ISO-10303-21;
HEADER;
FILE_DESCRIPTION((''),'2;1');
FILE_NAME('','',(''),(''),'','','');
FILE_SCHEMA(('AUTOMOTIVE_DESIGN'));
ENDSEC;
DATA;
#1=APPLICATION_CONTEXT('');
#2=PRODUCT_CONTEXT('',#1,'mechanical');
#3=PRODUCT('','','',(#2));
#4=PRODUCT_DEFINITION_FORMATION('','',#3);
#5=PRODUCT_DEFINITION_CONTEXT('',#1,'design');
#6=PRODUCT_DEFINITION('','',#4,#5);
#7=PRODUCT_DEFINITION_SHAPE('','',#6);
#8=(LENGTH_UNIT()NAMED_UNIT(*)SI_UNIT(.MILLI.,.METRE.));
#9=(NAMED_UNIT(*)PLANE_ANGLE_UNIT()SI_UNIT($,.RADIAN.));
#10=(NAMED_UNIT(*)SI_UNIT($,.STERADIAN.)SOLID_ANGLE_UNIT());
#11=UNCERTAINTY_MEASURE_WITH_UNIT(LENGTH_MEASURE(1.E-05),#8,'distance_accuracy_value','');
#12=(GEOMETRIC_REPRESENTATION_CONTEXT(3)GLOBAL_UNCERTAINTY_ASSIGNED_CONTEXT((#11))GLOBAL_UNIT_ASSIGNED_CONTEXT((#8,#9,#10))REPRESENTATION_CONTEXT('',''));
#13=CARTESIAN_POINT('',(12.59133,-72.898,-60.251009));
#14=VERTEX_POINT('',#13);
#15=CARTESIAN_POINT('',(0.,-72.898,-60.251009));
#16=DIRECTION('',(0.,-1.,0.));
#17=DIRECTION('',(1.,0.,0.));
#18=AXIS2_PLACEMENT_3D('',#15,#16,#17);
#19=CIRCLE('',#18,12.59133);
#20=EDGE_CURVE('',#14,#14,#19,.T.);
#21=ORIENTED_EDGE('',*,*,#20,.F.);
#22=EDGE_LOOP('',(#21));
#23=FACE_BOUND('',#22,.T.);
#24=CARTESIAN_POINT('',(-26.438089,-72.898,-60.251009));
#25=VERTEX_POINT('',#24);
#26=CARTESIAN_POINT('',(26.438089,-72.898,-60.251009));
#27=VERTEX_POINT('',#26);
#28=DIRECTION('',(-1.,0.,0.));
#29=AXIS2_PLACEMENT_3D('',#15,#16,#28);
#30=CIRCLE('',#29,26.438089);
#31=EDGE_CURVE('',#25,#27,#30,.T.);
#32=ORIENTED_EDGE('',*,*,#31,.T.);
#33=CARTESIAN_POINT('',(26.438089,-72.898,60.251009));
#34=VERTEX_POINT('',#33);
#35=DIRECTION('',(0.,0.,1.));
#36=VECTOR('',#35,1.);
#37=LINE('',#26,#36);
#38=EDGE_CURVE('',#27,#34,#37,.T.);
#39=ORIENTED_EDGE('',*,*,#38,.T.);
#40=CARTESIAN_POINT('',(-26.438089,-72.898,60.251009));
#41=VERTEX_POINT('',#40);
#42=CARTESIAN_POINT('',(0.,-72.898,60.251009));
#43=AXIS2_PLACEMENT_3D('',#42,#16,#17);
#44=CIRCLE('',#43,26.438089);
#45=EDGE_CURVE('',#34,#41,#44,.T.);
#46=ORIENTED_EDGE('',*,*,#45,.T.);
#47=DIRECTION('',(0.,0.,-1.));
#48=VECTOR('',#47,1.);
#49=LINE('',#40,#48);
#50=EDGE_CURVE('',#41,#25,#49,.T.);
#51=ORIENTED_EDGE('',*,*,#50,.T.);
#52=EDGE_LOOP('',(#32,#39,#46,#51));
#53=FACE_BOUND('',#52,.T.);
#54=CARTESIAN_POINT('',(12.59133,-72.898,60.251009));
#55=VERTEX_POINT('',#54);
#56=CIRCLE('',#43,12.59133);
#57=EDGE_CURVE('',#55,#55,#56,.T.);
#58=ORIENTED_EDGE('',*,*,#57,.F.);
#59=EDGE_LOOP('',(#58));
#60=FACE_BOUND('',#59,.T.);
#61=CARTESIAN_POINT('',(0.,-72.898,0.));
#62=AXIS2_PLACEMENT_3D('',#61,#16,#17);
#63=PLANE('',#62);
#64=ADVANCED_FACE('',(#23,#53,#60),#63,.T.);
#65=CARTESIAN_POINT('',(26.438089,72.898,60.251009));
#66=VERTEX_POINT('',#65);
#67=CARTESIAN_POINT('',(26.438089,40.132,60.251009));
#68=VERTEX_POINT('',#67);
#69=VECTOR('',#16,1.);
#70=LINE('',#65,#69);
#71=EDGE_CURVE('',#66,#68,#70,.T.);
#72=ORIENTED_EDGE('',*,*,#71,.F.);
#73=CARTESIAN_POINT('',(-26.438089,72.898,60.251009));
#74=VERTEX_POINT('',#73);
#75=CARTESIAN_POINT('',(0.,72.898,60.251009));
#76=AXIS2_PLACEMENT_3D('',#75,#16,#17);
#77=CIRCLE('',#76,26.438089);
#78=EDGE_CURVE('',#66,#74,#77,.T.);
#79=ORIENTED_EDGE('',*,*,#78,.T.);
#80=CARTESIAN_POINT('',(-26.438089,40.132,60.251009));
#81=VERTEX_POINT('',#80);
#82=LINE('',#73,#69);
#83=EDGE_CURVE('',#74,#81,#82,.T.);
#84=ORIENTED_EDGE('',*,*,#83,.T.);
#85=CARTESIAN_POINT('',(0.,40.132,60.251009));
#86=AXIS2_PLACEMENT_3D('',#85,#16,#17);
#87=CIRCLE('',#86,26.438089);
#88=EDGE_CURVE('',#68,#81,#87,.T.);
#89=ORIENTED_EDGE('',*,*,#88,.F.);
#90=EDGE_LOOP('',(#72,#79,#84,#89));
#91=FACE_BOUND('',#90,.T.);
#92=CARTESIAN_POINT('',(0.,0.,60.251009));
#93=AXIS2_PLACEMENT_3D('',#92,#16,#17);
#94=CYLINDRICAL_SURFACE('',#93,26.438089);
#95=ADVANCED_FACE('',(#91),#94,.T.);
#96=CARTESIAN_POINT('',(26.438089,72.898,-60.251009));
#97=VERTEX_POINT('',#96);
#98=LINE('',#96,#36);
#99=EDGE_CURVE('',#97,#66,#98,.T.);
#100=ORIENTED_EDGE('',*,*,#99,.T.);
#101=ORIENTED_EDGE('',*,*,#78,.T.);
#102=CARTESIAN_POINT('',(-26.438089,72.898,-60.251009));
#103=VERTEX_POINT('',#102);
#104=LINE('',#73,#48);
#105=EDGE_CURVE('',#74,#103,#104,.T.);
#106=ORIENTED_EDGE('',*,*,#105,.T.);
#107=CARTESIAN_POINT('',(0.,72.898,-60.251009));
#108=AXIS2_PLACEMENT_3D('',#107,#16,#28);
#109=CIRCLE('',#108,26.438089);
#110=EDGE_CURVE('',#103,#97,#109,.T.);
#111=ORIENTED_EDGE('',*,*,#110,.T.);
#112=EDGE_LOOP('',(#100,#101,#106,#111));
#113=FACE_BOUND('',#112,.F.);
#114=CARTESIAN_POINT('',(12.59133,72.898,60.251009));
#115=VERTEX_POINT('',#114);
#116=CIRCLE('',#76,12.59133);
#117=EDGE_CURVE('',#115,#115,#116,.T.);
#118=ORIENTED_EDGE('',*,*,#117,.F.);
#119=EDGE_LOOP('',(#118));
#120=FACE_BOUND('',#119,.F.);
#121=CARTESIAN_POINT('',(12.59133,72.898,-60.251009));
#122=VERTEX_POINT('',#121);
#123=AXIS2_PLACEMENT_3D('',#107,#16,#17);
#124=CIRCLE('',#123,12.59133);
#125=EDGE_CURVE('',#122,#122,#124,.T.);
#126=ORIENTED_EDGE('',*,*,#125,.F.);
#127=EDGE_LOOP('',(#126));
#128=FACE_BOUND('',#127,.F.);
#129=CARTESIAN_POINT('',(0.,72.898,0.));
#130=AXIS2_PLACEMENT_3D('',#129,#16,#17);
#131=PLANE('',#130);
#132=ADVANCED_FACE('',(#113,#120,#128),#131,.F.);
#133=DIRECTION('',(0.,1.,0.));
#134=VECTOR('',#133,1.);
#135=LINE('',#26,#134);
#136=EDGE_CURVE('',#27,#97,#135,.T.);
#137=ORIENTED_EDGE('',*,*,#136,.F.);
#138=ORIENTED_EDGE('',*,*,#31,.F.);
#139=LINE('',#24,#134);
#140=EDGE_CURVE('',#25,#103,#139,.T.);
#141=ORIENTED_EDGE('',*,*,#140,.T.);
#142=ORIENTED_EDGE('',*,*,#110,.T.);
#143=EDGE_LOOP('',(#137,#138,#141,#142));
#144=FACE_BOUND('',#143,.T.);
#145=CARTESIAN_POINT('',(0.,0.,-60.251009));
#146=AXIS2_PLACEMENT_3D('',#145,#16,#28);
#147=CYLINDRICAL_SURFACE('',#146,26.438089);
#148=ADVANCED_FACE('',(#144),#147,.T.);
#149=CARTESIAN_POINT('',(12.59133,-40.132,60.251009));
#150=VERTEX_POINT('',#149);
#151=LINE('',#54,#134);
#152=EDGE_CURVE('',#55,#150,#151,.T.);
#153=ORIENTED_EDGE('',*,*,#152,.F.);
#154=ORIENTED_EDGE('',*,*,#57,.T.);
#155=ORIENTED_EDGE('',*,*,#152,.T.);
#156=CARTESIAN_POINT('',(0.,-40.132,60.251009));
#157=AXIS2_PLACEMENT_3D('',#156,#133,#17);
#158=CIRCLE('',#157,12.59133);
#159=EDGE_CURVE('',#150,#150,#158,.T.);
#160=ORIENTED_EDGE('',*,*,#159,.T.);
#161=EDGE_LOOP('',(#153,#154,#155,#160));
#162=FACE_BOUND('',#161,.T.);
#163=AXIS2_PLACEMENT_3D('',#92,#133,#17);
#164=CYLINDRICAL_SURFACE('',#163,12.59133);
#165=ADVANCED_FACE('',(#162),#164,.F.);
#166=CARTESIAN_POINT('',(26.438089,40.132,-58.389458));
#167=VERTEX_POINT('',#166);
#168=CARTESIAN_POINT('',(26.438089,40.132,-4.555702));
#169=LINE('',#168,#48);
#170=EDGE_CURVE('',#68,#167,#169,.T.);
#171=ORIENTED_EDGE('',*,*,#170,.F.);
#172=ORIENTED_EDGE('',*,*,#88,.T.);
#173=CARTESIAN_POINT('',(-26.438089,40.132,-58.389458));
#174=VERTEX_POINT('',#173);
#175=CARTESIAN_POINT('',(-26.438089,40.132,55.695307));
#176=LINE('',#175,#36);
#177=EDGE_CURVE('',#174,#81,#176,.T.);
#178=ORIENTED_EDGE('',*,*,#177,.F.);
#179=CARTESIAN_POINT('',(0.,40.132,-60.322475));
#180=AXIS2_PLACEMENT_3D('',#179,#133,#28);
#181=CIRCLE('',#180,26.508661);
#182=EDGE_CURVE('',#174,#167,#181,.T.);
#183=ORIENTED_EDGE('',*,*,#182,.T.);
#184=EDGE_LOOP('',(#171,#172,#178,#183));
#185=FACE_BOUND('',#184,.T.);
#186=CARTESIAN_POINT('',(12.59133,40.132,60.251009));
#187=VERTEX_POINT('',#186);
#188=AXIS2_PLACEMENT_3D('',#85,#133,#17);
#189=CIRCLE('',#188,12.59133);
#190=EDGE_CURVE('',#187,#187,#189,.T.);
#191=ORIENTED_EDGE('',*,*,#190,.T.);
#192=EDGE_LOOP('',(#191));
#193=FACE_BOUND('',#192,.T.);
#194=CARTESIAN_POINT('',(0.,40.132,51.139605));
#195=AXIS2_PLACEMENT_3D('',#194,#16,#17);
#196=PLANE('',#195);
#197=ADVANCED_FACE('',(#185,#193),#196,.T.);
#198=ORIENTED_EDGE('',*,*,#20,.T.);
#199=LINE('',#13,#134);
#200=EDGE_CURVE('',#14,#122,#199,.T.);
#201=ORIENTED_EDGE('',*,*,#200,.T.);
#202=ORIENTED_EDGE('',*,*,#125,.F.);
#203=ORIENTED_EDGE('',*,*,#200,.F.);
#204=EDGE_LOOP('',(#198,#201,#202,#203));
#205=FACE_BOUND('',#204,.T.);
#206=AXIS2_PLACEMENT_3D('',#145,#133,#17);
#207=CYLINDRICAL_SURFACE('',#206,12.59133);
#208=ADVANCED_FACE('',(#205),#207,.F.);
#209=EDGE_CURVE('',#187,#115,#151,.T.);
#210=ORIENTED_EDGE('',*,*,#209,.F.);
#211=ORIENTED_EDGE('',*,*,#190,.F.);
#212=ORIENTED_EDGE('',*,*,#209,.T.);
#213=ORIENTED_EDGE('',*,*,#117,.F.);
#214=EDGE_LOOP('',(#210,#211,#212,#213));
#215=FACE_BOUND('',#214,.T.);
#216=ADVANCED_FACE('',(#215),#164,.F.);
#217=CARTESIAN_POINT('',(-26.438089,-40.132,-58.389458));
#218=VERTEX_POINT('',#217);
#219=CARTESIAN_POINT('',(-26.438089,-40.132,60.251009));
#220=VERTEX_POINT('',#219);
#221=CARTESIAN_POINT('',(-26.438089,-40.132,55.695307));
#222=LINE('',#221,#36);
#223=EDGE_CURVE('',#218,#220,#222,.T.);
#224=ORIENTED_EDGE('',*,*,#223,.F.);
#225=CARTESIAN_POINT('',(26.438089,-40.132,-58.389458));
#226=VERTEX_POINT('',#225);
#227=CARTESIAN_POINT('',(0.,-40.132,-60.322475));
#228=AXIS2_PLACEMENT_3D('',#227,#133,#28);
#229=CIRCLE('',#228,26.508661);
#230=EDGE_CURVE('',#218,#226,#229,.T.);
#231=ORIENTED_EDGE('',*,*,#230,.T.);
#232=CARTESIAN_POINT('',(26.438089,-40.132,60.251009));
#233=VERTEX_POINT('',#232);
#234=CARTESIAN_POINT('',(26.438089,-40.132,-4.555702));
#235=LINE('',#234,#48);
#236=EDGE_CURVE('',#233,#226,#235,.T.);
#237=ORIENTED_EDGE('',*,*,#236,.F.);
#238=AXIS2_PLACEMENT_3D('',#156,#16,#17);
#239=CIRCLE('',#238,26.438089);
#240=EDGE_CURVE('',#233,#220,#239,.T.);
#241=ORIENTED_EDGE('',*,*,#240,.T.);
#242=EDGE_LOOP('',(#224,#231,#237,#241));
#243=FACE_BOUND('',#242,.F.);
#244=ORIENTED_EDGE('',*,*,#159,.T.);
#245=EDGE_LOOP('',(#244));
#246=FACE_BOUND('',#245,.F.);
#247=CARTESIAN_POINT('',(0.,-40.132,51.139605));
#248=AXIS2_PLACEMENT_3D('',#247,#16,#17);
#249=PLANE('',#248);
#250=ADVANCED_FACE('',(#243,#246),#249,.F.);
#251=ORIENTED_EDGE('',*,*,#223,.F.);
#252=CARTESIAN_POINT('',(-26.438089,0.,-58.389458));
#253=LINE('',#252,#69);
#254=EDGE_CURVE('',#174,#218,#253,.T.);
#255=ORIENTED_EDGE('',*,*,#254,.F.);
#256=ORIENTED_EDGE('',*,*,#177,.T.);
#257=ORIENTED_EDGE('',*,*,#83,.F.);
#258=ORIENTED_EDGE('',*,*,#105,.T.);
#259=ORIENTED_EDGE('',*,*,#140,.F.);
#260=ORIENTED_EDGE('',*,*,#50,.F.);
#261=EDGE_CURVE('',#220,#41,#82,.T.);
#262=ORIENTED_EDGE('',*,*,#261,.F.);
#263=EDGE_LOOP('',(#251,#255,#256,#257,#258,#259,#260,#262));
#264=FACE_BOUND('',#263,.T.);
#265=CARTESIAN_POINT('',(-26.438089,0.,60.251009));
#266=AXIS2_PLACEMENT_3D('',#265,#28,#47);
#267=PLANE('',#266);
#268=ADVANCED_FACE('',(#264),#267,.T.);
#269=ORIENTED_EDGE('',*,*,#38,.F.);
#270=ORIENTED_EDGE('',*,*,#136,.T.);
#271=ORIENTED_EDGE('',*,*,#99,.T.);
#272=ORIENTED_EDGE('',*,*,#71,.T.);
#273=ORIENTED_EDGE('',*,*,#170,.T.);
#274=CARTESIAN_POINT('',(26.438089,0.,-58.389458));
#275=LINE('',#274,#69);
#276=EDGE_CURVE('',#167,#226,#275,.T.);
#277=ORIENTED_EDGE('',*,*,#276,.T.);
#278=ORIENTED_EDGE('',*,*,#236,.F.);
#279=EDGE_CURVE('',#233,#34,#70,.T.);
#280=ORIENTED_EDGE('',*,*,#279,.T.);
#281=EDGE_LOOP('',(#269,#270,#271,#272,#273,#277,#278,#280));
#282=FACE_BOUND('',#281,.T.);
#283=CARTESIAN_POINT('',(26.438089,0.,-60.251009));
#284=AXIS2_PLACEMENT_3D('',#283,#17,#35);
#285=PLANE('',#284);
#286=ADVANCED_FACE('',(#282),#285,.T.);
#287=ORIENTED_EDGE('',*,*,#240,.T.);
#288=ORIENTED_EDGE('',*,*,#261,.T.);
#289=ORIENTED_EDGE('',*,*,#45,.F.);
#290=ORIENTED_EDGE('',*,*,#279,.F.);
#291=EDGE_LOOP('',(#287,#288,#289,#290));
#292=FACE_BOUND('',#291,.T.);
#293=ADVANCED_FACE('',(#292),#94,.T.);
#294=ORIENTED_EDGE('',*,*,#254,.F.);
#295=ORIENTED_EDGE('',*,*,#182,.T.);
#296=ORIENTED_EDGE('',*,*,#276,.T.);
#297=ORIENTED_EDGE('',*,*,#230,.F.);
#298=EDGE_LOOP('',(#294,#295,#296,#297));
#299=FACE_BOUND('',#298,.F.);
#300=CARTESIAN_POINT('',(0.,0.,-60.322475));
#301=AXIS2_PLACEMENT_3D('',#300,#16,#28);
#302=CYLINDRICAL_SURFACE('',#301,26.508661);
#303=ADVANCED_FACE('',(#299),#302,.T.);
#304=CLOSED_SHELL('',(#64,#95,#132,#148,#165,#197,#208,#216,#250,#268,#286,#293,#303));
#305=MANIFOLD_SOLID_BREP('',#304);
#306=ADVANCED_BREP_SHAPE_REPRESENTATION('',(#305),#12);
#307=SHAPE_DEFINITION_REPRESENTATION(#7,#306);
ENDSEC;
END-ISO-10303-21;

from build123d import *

# Parameters (mm, degrees)
F0_R     = 12.5913300432
F1_DEPTH = 72.898
F3_DEPTH = 40.132


with BuildPart() as f1:
    # F0 (on Front) → F1 (new body, symmetric)
    with BuildSketch(Plane.XZ):
        with BuildLine():
            Line((26.4380890876, -60.2510087192), (26.4380890876, 60.2510087192))
            ThreePointArc((26.4380890876, 60.2510087192), (0, 86.6890978068), (-26.4380890876, 60.2510087192))
            Line((-26.4380890876, 60.2510087192), (-26.4380890876, -60.2510087192))
            ThreePointArc((-26.4380890876, -60.2510087192), (0, -86.6890978068), (26.4380890876, -60.2510087192))
        make_face()
        with Locations((0, -60.2510087192)):
            Circle(F0_R, mode=Mode.SUBTRACT)
        with Locations((0, 60.2510087192)):
            Circle(F0_R, mode=Mode.SUBTRACT)
    extrude(amount=F1_DEPTH, both=True)

    # F2 (on Front) → F3 (cut, symmetric)
    with BuildSketch(Plane.XZ):
        with BuildLine():
            ThreePointArc((-26.508660987, 60.3224746883), (0, 33.8138137013), (26.508660987, 60.3224746883))
            Line((26.508660987, 60.3224746883), (-26.508660987, 60.3224746883))
        make_face()
        with BuildLine():
            Line((-26.508660987, 60.3224746883), (26.508660987, 60.3224746883))
            ThreePointArc((26.508660987, 60.3224746883), (0, 86.8311356753), (-26.508660987, 60.3224746883))
        make_face()
        with BuildLine():
            Line((26.508660987, -60.3224746883), (26.508660987, 60.3224746883))
            ThreePointArc((26.508660987, 60.3224746883), (0, 33.8138137013), (-26.508660987, 60.3224746883))
            Line((-26.508660987, 60.3224746883), (-26.508660987, -60.3224746883))
            ThreePointArc((-26.508660987, -60.3224746883), (0, -33.8138137013), (26.508660987, -60.3224746883))
        make_face()
    extrude(amount=F3_DEPTH, both=True, mode=Mode.SUBTRACT)


solid = f1.part
